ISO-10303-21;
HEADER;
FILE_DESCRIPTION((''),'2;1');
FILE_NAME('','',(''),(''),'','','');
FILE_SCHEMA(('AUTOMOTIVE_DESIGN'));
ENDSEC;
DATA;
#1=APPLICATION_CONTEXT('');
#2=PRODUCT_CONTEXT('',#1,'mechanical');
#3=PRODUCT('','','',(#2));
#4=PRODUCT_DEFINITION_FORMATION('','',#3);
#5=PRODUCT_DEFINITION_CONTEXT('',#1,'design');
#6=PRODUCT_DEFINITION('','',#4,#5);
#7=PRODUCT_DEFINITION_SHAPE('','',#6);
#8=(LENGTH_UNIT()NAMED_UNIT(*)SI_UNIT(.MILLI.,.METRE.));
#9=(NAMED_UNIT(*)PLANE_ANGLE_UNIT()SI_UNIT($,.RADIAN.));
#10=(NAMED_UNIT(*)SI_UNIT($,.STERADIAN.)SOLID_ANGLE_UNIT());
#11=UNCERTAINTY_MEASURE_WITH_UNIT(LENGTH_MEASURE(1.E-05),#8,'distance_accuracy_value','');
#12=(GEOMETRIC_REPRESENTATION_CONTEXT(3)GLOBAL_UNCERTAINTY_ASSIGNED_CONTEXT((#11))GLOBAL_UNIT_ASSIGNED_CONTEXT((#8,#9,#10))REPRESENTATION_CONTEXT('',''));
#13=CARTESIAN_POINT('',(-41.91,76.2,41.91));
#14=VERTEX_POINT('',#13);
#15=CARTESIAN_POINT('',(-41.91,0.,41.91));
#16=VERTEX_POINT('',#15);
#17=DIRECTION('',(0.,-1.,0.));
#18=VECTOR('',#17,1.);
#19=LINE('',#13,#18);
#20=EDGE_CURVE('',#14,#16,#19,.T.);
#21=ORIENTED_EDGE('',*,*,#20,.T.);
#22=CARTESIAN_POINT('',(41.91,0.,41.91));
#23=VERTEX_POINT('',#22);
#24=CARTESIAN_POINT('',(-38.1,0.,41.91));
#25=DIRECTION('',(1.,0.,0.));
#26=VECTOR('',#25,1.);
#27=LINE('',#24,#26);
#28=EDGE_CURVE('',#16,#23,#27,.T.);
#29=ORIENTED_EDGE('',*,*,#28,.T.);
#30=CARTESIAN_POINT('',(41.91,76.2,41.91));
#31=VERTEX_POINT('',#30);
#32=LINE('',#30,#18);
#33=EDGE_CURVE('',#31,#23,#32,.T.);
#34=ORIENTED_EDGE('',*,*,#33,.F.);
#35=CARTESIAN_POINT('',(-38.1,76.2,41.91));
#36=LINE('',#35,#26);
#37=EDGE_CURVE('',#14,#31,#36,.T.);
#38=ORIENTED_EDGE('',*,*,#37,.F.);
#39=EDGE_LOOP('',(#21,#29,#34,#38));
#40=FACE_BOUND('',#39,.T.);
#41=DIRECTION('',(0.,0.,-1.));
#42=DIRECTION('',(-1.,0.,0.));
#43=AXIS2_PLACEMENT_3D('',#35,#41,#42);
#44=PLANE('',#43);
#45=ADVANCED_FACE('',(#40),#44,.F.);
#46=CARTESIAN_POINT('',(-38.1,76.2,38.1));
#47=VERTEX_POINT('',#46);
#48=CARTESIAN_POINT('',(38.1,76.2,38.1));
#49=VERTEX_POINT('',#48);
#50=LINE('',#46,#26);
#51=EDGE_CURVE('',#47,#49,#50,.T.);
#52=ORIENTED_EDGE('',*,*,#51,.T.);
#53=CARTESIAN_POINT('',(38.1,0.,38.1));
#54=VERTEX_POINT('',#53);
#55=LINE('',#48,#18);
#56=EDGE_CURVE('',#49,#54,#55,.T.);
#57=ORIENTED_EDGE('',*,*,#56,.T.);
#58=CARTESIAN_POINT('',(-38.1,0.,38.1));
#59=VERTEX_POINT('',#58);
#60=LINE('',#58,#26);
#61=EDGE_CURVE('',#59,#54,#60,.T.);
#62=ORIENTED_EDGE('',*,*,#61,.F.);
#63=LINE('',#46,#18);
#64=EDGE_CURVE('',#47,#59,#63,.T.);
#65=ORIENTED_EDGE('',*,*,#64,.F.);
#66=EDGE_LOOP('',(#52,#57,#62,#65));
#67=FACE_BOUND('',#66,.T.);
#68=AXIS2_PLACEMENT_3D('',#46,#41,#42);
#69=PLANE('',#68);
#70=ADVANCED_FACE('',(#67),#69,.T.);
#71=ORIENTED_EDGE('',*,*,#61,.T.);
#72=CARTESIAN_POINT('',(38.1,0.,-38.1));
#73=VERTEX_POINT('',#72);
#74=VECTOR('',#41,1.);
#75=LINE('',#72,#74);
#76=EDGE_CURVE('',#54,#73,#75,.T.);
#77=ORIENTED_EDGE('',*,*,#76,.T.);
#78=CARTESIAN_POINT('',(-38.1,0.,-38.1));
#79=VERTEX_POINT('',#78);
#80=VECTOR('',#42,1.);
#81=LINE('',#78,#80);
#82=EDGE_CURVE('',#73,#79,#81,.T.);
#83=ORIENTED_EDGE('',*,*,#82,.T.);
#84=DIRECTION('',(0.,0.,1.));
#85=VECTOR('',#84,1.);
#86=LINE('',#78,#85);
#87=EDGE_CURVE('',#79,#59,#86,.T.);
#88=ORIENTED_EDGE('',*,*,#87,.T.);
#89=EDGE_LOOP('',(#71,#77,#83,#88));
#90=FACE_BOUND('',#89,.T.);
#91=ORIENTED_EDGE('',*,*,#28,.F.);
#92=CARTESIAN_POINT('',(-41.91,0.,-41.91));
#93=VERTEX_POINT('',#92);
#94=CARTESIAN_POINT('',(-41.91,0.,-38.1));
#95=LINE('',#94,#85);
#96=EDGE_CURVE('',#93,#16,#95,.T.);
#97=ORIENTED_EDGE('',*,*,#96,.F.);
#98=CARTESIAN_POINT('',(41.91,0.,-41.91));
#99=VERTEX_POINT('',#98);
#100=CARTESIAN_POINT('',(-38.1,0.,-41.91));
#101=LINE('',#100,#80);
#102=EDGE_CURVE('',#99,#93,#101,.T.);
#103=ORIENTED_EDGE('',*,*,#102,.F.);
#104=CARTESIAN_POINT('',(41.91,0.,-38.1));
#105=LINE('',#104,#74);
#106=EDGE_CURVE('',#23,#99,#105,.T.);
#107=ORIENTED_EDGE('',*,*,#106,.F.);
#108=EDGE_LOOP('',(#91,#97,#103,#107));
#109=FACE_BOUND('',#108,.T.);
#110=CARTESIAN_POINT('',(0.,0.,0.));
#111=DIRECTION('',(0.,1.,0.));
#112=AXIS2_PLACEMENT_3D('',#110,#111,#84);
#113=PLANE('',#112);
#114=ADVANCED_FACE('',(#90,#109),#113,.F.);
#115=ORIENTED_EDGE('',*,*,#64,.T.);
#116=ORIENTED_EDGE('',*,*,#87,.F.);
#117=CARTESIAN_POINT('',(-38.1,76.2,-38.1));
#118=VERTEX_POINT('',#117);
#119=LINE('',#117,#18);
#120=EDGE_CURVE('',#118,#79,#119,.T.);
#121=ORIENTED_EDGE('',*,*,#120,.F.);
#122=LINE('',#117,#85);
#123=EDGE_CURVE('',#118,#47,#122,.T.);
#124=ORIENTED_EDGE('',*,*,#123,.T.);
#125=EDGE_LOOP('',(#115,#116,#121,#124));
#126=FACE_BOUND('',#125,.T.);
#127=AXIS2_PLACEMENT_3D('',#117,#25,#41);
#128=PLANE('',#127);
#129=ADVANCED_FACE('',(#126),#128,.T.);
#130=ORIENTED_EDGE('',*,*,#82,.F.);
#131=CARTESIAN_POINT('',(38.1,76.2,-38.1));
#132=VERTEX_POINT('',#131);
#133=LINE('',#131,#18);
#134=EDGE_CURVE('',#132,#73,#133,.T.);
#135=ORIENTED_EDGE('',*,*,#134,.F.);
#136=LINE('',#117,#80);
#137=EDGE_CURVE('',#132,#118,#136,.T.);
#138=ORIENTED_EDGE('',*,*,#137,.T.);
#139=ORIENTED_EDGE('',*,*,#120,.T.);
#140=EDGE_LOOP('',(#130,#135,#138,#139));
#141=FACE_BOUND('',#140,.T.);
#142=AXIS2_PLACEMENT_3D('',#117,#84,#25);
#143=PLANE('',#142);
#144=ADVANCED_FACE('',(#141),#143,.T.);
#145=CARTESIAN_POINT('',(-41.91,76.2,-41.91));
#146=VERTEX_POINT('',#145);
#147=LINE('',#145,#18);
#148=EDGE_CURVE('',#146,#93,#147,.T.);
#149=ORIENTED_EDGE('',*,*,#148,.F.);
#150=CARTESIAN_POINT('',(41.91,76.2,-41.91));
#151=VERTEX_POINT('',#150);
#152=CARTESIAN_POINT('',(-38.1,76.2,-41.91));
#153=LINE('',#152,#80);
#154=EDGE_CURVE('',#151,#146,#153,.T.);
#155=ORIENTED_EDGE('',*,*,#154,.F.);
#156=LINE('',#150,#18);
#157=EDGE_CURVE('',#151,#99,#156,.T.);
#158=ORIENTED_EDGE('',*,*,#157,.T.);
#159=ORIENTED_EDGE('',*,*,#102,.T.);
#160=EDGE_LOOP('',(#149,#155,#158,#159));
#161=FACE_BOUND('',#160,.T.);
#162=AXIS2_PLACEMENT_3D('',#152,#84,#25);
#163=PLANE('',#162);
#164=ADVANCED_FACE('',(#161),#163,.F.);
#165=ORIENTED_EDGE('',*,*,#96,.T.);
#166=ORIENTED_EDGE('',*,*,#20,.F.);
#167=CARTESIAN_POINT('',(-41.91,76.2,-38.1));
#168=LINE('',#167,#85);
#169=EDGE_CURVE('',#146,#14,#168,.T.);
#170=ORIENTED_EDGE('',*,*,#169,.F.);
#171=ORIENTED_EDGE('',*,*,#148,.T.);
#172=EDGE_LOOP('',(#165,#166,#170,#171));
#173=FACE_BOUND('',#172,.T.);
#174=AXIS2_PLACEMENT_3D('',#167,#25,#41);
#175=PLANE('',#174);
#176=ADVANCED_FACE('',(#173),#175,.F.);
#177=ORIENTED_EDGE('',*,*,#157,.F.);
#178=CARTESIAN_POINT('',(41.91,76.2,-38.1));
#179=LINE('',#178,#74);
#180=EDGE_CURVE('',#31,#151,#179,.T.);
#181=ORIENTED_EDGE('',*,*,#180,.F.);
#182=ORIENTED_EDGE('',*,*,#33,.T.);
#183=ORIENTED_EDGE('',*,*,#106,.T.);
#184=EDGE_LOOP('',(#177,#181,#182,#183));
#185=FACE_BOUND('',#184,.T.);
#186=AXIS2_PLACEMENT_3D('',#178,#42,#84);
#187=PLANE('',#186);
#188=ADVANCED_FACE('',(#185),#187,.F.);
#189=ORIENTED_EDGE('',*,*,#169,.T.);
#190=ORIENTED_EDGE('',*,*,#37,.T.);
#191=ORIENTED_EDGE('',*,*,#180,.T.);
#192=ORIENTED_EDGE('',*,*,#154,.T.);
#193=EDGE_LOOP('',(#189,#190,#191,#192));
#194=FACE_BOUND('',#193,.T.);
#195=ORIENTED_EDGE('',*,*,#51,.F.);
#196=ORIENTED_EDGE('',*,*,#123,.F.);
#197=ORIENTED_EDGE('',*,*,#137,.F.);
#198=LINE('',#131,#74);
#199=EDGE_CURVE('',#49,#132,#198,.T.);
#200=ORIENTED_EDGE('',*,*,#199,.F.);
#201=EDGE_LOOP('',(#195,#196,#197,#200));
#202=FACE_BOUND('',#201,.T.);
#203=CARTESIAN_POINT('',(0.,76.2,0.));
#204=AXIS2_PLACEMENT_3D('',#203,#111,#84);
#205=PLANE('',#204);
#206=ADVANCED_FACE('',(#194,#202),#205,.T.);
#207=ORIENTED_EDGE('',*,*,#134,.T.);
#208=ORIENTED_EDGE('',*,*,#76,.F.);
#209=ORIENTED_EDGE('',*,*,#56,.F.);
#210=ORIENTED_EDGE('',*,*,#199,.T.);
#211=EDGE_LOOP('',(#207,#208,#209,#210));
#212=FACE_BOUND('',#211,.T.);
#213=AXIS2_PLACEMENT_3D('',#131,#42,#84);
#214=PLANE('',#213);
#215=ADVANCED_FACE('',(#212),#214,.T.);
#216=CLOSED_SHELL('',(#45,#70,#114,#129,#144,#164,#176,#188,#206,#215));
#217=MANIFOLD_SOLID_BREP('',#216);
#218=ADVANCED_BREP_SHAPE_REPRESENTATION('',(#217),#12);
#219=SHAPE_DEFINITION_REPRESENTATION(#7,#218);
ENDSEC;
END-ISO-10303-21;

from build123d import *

# Parameters (mm, degrees)
SKETCH2_W           = 76.2
SKETCH2_H           = 76.2
BOSS_EXTRUDE2_DEPTH = 76.2
SHELL1_T            = 3.81


with BuildPart() as part:
    # Sketch2 → Boss-Extrude2 (new body)
    with BuildSketch(Plane(origin=(0, 0, 0), x_dir=(1, 0, 0), z_dir=(0, 1, 0))):
        Rectangle(SKETCH2_W, SKETCH2_H)
    extrude(amount=BOSS_EXTRUDE2_DEPTH)

    # Shell1
    shell1_openings = [part.faces().sort_by_distance(p)[0] for p in [
        (0, 0, 0),
        (0, 76.2, 0),
    ]]
    offset(amount=SHELL1_T, openings=shell1_openings, kind=Kind.INTERSECTION)


solid = part.part
